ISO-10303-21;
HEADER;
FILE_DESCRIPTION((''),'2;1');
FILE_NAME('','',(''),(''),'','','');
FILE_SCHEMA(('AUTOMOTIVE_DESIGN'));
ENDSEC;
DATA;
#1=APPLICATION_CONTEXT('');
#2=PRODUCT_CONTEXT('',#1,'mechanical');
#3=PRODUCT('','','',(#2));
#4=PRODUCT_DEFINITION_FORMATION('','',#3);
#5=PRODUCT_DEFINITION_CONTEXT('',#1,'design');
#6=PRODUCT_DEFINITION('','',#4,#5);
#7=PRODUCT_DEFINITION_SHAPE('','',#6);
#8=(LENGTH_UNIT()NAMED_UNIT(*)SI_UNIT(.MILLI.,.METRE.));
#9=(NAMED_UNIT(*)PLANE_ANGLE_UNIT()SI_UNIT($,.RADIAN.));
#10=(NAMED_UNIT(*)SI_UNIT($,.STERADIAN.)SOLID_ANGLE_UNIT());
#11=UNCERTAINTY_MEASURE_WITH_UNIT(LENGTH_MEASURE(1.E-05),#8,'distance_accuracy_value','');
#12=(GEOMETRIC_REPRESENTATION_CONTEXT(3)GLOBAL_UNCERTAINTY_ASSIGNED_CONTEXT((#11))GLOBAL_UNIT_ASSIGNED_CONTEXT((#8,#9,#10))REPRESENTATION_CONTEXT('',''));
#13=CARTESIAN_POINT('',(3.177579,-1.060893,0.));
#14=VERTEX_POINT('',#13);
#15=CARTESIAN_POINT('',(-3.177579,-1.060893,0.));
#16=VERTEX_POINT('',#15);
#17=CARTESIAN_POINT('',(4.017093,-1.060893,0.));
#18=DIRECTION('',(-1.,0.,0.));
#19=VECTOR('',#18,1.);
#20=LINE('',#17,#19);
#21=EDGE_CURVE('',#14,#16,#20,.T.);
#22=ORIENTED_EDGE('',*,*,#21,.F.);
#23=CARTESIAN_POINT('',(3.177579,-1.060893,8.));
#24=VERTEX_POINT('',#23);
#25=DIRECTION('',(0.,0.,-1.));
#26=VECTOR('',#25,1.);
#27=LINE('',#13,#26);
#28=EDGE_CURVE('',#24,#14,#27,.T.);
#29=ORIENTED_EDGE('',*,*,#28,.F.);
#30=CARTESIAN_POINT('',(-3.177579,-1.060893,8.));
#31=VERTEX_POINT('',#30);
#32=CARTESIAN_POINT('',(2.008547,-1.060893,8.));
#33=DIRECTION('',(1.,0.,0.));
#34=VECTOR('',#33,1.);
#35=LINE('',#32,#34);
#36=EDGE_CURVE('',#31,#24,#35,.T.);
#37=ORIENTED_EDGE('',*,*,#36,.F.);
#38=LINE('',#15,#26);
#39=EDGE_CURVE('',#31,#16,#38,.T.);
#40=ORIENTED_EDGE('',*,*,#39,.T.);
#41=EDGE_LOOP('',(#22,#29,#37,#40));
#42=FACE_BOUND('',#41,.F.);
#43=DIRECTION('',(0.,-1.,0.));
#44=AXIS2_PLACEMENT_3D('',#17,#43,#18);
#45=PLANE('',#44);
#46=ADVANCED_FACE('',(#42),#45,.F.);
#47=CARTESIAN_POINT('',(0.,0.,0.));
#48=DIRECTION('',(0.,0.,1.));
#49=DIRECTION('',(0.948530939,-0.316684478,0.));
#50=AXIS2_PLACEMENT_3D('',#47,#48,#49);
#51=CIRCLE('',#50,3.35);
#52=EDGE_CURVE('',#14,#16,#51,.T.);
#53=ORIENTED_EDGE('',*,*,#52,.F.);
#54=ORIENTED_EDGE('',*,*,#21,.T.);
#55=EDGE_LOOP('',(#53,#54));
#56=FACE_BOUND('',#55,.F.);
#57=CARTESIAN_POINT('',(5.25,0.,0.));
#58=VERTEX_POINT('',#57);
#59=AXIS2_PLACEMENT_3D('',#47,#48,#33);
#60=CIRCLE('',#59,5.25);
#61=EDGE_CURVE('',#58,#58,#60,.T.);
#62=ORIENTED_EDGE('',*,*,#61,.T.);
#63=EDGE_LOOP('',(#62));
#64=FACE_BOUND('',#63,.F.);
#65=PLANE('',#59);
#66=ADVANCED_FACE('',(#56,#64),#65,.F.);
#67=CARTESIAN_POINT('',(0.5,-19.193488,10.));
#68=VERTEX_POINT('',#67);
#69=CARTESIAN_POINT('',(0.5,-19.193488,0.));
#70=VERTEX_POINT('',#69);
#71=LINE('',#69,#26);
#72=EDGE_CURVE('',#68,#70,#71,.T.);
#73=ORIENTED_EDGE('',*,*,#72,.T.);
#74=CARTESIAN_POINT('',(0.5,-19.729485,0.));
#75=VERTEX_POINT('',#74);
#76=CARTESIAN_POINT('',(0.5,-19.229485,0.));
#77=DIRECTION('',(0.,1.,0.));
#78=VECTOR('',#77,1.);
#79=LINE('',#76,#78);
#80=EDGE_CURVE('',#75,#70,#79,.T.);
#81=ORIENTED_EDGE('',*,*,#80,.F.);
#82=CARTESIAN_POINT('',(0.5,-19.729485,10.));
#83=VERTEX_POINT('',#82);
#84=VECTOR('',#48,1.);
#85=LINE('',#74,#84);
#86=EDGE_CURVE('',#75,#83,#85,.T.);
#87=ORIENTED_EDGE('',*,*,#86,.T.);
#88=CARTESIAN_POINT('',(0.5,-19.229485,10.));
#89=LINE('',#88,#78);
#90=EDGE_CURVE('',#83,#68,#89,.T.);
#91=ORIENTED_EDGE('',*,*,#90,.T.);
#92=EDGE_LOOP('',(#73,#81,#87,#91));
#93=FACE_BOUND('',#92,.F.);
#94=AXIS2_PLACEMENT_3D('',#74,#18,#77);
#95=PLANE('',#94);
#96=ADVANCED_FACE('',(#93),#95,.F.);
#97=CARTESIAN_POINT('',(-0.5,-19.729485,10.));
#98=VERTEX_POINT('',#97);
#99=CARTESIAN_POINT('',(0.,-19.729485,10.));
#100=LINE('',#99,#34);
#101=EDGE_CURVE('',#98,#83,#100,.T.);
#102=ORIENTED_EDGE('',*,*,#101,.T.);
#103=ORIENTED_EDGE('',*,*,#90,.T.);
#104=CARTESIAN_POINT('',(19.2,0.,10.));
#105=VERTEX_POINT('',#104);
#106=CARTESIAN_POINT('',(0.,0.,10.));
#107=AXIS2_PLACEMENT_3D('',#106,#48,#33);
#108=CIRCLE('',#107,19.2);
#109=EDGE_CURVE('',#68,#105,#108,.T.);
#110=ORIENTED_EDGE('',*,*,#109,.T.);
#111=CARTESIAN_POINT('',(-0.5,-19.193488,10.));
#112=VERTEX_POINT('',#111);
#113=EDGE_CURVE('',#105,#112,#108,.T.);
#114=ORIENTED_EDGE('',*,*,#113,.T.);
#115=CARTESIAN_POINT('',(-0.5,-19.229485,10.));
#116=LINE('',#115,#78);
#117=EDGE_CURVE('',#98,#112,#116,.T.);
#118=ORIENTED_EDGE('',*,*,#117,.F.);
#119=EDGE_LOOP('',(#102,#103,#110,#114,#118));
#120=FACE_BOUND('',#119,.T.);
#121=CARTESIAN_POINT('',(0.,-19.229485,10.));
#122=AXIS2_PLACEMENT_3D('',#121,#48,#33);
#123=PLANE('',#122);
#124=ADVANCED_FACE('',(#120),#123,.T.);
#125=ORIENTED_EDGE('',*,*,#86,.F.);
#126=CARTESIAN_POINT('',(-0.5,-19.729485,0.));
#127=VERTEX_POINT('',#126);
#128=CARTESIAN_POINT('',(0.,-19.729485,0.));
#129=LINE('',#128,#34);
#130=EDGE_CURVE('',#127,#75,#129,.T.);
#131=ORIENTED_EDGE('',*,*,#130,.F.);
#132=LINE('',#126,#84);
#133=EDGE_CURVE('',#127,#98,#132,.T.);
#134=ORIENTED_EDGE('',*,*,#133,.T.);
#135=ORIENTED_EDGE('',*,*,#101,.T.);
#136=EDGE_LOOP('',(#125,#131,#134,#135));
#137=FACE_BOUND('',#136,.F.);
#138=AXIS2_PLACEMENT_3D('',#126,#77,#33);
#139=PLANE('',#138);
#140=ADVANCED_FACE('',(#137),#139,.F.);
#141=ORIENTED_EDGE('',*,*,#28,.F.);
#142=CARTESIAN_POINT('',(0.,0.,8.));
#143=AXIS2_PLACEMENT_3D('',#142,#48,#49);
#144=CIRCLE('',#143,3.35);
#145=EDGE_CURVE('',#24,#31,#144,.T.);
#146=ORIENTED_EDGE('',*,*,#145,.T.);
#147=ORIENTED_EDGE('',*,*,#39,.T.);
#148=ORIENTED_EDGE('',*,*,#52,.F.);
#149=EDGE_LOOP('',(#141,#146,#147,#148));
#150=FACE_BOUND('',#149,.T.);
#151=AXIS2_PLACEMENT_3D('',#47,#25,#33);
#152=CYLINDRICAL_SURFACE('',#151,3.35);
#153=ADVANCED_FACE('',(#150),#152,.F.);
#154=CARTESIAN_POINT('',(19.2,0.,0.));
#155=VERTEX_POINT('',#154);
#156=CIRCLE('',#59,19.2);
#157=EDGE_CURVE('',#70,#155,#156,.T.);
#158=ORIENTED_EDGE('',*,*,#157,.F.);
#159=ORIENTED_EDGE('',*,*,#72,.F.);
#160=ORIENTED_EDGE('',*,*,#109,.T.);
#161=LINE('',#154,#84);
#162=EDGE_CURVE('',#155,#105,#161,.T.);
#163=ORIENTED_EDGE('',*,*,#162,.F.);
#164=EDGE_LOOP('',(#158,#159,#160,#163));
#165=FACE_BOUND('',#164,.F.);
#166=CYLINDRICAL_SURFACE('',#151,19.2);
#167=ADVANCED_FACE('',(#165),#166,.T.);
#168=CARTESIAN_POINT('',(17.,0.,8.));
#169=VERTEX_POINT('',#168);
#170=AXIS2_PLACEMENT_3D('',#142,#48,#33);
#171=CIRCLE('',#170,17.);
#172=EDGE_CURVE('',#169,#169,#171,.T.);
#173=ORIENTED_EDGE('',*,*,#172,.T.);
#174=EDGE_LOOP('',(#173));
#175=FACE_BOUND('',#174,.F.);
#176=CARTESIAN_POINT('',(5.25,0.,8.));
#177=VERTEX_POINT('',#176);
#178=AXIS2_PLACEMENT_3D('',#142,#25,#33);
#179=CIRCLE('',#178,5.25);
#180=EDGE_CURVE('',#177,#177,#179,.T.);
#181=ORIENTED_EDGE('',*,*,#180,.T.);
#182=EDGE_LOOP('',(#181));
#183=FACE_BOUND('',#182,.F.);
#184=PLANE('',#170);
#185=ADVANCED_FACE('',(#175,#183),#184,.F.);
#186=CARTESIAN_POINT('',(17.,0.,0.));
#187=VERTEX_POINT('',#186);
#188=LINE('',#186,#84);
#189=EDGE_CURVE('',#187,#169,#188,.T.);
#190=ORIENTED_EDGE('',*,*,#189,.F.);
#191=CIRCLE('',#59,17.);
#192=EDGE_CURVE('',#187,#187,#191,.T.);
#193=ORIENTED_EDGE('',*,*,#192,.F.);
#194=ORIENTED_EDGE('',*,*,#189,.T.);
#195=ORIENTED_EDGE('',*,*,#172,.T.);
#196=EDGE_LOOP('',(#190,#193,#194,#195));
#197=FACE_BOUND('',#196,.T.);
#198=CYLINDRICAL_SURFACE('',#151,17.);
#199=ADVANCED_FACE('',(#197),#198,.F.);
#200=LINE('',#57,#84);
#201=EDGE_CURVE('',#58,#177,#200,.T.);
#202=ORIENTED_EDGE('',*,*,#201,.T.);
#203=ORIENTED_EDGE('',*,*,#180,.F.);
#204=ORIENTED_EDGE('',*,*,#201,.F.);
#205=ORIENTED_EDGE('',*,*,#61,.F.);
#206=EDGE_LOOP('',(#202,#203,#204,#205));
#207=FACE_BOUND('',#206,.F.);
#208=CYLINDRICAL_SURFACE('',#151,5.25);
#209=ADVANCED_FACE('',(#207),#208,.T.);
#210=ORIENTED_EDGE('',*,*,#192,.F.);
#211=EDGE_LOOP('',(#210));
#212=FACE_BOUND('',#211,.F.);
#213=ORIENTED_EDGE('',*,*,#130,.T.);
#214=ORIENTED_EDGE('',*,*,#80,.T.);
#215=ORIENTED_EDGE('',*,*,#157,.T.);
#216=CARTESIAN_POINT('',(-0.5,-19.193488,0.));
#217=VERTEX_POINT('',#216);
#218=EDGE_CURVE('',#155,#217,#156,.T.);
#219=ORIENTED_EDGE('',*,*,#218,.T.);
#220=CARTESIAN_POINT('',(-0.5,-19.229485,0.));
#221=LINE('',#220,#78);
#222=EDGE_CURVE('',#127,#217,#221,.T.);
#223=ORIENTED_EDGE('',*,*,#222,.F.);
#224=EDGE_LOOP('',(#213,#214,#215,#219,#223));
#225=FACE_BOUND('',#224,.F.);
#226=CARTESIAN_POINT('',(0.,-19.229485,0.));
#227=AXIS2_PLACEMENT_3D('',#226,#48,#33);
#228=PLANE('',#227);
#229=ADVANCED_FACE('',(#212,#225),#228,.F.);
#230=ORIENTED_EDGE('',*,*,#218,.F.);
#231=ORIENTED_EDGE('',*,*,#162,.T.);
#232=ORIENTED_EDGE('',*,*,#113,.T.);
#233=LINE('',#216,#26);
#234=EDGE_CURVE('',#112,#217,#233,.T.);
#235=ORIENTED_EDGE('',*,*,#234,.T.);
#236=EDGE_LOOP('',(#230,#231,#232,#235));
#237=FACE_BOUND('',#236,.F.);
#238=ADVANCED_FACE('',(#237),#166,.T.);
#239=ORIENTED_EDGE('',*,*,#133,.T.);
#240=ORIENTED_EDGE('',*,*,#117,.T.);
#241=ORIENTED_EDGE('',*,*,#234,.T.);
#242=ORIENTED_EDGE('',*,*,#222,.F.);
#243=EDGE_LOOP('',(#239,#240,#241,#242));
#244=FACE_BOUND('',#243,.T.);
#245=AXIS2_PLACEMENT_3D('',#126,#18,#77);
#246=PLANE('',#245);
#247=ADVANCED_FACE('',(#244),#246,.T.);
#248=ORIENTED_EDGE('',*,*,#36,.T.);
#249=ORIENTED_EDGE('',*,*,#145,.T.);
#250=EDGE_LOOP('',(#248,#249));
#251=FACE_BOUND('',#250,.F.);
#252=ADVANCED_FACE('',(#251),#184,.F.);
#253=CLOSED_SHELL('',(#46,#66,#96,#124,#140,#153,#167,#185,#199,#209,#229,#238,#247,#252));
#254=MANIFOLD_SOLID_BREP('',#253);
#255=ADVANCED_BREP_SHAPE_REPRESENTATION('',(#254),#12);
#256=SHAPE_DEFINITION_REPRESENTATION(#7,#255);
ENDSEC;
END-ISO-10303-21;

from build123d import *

# Parameters (mm, degrees)
F0_R     = 19.2
F1_DEPTH = 10
F2_R     = 17
F3_DEPTH = 8
F4_R     = 5.25
F4_R_2   = 3.35
F5_DEPTH = 10
F7_DEPTH = 9
F8_W     = 1
F8_H     = 1
F9_DEPTH = 10


with BuildPart() as f1:
    # F0 (on Top) → F1 (new body)
    with BuildSketch(Plane.XY):
        Circle(F0_R)
    extrude(amount=F1_DEPTH)

    # F2 (on Top) → F3 (cut)
    with BuildSketch(Plane.XY):
        Circle(F2_R)
    extrude(amount=F3_DEPTH, mode=Mode.SUBTRACT)

    # F4 (on Top) → F5 (join)
    with BuildSketch(Plane.XY):
        Circle(F4_R)
        Circle(F4_R_2, mode=Mode.SUBTRACT)
    extrude(amount=F5_DEPTH)

    # F6 (on Top) → F7 (join)
    with BuildSketch(Plane.XY):
        with BuildLine():
            Line((4.017093, -1.060893), (-3.993784, -1.060893))
            ThreePointArc((-3.993784, -1.060893), (0.011655, -3.969964), (4.017093, -1.060893))
        make_face()
    extrude(amount=F7_DEPTH)

    # F8 (on Top) → F9 (join)
    with BuildSketch(Plane.XY):
        with Locations((0, -19.229485)):
            Rectangle(F8_W, F8_H)
    extrude(amount=F9_DEPTH)


solid = f1.part
